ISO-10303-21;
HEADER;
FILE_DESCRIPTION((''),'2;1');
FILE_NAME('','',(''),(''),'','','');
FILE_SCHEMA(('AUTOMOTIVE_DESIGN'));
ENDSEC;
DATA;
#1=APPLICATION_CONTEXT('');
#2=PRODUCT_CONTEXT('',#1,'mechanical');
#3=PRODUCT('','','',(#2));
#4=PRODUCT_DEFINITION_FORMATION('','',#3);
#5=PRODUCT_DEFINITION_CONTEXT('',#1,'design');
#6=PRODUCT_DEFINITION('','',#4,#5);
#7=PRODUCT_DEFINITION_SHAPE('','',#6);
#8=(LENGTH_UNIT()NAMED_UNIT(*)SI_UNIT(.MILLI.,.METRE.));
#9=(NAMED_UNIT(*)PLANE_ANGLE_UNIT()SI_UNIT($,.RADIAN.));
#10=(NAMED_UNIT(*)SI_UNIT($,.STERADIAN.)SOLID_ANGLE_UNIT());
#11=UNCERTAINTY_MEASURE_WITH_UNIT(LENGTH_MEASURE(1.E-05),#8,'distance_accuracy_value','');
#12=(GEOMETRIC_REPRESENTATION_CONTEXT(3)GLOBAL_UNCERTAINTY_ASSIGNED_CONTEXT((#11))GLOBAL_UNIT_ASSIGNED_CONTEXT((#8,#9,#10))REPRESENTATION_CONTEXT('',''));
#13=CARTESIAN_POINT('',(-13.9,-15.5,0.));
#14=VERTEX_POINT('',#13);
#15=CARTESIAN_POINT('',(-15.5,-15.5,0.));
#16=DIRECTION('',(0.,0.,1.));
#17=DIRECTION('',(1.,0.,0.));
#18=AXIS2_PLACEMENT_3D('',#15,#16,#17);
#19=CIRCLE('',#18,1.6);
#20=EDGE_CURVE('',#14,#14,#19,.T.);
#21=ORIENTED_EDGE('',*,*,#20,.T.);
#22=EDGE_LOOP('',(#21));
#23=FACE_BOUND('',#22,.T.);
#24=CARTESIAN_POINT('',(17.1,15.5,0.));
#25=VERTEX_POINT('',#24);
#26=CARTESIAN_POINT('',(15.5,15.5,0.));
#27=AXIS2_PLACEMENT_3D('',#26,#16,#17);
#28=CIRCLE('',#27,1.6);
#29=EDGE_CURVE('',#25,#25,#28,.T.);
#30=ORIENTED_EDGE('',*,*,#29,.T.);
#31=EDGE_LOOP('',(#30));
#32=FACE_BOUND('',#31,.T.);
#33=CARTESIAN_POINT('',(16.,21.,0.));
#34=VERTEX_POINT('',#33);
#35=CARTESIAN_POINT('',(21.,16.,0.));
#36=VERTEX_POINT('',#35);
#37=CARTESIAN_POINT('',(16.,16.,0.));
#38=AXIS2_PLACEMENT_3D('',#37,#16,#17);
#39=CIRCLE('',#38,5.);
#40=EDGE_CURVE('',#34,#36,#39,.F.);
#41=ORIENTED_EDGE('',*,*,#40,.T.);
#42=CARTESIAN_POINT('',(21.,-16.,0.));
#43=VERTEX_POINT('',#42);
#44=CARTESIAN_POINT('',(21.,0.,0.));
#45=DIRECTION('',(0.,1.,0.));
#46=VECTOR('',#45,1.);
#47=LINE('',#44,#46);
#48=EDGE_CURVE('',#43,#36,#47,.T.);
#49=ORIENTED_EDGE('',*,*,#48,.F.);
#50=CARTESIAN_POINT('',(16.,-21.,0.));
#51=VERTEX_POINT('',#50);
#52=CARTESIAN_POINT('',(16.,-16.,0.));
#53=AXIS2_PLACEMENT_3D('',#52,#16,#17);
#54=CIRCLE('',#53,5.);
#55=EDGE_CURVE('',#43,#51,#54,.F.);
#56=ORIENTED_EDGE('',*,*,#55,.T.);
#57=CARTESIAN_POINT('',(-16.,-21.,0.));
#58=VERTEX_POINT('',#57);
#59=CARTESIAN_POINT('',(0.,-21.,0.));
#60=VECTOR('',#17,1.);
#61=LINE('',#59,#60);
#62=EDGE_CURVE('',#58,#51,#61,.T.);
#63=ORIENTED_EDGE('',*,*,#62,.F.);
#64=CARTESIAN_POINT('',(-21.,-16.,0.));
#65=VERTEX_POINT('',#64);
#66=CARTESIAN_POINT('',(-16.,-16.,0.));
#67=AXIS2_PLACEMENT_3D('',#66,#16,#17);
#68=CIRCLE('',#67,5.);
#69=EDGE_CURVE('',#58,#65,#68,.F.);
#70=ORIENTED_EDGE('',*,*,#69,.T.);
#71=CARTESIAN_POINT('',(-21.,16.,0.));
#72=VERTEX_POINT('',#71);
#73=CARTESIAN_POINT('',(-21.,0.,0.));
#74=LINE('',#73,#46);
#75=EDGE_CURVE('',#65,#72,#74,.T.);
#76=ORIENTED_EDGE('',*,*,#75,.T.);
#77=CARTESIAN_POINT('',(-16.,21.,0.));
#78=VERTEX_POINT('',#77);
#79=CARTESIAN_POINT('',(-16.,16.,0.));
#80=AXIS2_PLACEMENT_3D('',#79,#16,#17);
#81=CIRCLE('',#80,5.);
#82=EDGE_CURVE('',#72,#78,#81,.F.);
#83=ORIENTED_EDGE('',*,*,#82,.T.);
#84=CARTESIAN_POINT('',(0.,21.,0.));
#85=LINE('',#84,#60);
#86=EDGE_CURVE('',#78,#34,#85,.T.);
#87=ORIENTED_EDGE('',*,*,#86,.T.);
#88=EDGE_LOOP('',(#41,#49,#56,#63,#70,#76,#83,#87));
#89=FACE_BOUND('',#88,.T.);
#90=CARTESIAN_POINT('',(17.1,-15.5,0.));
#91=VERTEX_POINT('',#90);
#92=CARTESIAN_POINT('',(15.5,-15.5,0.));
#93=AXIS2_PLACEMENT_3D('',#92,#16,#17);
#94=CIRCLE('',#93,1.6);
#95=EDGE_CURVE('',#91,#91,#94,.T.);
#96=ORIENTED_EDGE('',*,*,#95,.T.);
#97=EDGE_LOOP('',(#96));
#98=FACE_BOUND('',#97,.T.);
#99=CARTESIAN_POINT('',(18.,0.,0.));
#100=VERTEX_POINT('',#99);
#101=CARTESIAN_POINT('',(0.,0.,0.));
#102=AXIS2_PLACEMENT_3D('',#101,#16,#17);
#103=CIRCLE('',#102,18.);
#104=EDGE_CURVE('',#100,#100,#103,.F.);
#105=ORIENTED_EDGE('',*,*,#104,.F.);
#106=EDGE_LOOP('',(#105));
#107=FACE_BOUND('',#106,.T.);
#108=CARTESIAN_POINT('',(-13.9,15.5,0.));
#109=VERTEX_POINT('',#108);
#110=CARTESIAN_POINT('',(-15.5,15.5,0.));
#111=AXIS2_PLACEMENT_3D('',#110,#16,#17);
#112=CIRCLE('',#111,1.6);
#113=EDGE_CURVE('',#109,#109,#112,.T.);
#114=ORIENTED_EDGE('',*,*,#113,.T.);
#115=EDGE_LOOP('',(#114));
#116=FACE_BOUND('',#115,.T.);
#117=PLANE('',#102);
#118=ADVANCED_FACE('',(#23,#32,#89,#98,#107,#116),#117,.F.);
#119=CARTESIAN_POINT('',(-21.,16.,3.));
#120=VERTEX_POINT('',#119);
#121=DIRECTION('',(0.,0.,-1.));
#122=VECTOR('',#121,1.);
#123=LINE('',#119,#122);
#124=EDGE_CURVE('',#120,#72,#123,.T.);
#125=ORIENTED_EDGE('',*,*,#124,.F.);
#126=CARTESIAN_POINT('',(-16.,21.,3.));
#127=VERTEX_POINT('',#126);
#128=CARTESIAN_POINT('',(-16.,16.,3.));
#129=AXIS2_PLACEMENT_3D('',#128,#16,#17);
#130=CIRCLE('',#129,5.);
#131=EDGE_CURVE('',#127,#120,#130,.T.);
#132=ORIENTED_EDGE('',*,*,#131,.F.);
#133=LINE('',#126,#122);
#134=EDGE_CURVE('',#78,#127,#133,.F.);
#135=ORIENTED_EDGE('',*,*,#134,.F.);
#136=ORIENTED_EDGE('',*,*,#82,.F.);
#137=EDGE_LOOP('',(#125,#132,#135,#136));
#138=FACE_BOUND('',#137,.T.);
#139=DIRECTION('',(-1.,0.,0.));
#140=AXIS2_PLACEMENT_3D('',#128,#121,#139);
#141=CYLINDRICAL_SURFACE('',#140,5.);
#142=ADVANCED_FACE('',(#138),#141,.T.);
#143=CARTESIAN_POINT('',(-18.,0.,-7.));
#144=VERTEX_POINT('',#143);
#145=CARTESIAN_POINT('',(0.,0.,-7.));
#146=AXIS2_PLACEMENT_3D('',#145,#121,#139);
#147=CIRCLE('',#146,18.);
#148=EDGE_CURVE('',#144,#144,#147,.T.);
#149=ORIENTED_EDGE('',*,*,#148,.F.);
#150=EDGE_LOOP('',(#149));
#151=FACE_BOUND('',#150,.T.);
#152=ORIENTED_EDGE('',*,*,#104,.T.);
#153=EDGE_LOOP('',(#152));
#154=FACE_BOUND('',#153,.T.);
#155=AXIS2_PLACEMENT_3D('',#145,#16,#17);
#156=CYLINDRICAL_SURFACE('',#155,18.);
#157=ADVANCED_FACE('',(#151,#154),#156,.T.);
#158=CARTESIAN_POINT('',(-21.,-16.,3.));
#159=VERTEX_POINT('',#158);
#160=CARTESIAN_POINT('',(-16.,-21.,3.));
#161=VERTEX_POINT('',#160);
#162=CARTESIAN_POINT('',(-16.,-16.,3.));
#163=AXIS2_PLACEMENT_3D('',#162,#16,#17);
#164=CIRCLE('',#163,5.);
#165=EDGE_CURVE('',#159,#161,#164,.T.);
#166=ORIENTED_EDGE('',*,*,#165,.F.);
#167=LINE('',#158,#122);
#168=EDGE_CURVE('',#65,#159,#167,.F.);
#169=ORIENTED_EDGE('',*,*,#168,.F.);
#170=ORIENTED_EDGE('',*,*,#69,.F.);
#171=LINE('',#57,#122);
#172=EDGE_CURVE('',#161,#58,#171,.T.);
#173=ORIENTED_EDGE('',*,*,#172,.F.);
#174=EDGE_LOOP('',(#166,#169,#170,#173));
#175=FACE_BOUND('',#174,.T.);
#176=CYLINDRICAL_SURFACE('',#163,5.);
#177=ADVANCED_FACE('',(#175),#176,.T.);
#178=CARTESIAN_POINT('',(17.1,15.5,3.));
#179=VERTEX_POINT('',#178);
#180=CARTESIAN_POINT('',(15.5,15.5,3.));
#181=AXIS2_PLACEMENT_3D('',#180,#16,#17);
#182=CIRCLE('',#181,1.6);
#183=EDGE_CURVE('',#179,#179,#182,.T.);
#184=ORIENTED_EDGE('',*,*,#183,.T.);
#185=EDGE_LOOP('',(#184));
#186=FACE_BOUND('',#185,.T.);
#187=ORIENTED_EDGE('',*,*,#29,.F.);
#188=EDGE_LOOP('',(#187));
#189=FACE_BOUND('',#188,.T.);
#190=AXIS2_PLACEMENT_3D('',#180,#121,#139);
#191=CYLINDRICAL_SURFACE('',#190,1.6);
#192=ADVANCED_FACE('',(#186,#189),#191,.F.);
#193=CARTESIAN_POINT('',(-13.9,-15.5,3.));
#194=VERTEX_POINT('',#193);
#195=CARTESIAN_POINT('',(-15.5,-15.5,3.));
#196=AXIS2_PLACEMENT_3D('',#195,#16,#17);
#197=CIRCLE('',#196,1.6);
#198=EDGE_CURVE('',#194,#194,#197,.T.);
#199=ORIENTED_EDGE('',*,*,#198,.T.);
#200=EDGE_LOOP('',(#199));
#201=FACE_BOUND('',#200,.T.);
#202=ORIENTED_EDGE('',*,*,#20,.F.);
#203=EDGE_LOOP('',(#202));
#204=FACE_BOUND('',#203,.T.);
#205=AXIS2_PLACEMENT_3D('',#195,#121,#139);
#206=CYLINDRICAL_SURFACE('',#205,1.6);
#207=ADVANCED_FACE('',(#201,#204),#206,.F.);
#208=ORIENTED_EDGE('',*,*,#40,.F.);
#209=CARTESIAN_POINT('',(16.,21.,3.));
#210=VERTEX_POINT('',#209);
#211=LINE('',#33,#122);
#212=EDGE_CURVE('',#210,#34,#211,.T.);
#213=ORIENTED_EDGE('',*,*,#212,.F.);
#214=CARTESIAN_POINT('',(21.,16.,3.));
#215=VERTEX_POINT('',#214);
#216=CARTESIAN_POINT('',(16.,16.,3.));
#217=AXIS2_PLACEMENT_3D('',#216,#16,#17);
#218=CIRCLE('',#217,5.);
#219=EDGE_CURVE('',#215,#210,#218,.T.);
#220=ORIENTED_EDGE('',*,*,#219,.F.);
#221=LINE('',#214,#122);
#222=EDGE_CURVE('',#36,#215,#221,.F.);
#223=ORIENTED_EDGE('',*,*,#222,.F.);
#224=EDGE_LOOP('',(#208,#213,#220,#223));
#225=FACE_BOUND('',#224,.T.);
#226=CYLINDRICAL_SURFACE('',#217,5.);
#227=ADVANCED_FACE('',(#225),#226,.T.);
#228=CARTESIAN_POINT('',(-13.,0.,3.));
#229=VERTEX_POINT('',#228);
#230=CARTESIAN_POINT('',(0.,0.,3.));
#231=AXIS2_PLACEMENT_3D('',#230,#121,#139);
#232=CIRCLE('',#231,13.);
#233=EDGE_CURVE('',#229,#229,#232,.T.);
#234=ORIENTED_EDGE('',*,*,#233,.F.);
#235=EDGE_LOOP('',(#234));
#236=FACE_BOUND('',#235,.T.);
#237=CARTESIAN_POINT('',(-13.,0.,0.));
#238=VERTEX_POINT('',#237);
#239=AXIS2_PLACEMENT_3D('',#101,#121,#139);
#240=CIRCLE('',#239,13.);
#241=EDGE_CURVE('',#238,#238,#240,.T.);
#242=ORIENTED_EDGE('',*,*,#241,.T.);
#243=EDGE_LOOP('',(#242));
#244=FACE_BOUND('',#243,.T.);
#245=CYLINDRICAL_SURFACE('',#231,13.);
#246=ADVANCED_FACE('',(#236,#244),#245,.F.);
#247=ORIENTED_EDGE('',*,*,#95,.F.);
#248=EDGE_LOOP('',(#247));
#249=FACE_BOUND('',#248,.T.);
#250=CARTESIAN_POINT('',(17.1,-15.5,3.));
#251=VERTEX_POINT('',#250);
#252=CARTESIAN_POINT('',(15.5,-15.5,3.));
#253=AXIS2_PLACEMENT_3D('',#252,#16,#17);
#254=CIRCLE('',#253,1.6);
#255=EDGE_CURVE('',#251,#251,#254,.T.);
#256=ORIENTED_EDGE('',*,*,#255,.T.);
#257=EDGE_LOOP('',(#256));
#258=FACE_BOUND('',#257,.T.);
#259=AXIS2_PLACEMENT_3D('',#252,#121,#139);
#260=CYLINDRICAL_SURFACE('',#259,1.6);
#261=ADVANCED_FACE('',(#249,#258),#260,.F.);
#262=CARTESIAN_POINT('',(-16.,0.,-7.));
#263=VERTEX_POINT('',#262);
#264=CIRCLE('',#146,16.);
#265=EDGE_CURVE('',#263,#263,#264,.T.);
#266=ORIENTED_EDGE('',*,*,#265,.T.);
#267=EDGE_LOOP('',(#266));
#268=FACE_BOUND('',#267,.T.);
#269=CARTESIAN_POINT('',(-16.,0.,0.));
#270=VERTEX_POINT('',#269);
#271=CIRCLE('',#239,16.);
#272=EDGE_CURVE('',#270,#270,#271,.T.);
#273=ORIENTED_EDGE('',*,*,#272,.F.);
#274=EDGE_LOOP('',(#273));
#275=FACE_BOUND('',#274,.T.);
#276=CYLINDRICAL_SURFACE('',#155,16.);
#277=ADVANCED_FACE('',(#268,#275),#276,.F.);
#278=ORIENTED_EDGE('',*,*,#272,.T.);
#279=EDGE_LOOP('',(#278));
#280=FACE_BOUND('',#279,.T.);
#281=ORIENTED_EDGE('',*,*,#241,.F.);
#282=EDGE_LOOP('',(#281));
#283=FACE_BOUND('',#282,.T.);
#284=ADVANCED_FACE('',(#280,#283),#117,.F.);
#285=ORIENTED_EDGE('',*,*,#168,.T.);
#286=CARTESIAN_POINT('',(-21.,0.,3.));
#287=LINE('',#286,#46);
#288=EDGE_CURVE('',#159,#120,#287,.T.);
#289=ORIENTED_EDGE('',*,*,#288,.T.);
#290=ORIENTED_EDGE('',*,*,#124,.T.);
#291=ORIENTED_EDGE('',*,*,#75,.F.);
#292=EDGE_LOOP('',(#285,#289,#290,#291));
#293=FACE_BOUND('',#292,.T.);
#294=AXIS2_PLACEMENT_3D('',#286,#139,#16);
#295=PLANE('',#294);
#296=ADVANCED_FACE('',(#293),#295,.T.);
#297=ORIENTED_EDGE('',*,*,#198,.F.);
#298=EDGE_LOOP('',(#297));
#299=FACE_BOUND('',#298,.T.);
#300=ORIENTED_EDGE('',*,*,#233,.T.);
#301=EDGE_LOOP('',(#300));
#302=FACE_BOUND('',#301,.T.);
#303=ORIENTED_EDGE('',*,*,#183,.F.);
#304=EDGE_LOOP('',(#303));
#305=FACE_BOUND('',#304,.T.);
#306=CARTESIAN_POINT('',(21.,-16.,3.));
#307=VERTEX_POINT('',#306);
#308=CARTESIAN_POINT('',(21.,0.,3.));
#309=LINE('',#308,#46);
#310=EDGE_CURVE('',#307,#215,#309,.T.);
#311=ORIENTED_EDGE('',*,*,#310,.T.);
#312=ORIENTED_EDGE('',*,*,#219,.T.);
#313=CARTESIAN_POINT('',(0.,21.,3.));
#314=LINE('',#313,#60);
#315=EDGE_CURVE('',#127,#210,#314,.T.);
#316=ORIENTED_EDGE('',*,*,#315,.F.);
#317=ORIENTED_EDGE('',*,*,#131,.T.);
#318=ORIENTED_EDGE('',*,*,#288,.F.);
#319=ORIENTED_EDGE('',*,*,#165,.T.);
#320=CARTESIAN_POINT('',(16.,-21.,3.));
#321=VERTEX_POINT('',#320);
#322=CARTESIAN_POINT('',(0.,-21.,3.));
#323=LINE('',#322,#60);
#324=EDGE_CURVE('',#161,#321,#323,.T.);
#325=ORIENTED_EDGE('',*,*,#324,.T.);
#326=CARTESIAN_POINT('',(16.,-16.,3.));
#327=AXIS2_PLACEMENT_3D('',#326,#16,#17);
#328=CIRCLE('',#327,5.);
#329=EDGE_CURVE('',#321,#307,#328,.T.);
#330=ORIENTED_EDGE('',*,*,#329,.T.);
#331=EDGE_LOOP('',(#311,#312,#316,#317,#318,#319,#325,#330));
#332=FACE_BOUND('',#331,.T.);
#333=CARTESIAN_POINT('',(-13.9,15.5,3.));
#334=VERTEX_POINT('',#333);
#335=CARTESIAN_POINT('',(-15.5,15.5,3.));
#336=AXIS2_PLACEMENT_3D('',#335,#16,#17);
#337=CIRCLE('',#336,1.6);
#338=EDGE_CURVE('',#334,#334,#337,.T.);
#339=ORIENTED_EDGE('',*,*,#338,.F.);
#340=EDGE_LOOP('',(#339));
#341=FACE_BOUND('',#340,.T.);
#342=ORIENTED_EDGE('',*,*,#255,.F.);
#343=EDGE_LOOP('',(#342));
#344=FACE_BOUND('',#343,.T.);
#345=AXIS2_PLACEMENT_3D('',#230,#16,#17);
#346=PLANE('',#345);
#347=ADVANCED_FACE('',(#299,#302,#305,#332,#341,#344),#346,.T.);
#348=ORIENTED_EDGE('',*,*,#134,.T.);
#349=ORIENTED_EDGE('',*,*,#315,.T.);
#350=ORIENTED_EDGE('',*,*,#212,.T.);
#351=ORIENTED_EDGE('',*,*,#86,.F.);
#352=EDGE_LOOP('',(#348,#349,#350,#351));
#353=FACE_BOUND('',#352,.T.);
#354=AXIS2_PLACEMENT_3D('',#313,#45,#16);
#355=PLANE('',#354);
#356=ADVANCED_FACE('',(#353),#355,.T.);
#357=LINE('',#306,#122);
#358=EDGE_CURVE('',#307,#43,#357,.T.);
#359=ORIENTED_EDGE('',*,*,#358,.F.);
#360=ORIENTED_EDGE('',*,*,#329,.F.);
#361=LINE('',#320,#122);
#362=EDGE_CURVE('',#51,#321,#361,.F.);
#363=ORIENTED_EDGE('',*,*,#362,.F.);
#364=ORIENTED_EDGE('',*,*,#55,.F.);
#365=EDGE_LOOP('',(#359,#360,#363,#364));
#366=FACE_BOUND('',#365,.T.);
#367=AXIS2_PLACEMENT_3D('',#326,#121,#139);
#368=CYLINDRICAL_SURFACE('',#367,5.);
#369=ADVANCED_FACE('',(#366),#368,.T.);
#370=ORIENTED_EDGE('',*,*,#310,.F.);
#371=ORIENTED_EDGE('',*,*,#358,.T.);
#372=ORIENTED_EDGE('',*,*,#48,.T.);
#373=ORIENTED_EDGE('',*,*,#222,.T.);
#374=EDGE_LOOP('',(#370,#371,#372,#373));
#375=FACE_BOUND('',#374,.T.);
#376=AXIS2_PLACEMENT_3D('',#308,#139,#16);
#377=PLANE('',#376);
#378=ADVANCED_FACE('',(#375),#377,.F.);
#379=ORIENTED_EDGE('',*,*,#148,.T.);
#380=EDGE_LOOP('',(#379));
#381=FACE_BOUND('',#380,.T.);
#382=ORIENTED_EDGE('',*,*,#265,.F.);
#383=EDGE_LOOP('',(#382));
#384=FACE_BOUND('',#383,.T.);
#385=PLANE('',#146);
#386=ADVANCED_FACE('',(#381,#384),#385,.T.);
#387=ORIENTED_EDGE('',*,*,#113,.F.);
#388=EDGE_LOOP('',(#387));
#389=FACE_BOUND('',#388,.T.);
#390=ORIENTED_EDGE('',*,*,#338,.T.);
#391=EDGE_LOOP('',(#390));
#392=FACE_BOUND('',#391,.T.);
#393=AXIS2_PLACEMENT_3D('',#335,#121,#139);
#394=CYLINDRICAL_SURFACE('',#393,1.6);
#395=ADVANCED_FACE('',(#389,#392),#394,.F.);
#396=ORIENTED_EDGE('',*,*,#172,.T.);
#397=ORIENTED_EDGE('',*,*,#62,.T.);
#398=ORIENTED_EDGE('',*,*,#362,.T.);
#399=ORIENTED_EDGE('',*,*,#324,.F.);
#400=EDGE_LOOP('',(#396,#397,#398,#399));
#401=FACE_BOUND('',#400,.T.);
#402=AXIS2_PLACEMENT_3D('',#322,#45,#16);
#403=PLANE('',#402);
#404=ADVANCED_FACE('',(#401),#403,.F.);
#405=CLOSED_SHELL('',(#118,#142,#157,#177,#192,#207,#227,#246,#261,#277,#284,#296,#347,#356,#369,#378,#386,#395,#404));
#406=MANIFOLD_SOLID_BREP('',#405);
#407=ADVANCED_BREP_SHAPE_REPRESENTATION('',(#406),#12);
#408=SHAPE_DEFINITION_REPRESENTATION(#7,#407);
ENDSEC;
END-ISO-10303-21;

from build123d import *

# Parameters (mm, degrees)
SKETCH_1_W          = 42
SKETCH_1_H          = 42
SKETCH_1_R          = 1.6
SKETCH_1_R_2        = 11
EXTRUDE_1_DEPTH     = 3
FILLET_1_R          = 5
SKETCH_2_R          = 18
SKETCH_2_R_2        = 16
EXTRUDE_2_DEPTH     = 7
SKETCH_3_R          = 13
CUT_EXTRUDE_1_DEPTH = 3


with BuildPart() as part:
    # 草图1 → 凸台-拉伸1 (new body)
    with BuildSketch(Plane.XY):
        Rectangle(SKETCH_1_W, SKETCH_1_H)
        with Locations((-15.5, 15.5)):
            Circle(SKETCH_1_R, mode=Mode.SUBTRACT)
        with Locations((15.5, 15.5)):
            Circle(SKETCH_1_R, mode=Mode.SUBTRACT)
        with Locations((15.5, -15.5)):
            Circle(SKETCH_1_R, mode=Mode.SUBTRACT)
        with Locations((-15.5, -15.5)):
            Circle(SKETCH_1_R, mode=Mode.SUBTRACT)
        Circle(SKETCH_1_R_2, mode=Mode.SUBTRACT)
    extrude(amount=EXTRUDE_1_DEPTH)

    # 圆角1
    fillet_1_edges = [part.edges().sort_by_distance(p)[0] for p in [
        (-21, -21, 1.5),
        (-21, 21, 1.5),
        (21, 21, 1.5),
        (21, -21, 1.5),
    ]]
    fillet(fillet_1_edges, radius=FILLET_1_R)

    # 草图2 → 凸台-拉伸2 (add)
    with BuildSketch(Plane(origin=(0, 0, 0), x_dir=(-1, 0, 0), z_dir=(0, 0, -1))):
        with Locations(Location((0, 0, 0), (0, 0, 180))):
            Circle(SKETCH_2_R)
        Circle(SKETCH_2_R_2, mode=Mode.SUBTRACT)
    extrude(amount=EXTRUDE_2_DEPTH)

    # 草图3 → 切除-拉伸1 (cut)
    with BuildSketch(Plane(origin=(0, 0, 0), x_dir=(-1, 0, 0), z_dir=(0, 0, -1))):
        Circle(SKETCH_3_R)
    extrude(amount=-CUT_EXTRUDE_1_DEPTH, mode=Mode.SUBTRACT)


solid = part.part
